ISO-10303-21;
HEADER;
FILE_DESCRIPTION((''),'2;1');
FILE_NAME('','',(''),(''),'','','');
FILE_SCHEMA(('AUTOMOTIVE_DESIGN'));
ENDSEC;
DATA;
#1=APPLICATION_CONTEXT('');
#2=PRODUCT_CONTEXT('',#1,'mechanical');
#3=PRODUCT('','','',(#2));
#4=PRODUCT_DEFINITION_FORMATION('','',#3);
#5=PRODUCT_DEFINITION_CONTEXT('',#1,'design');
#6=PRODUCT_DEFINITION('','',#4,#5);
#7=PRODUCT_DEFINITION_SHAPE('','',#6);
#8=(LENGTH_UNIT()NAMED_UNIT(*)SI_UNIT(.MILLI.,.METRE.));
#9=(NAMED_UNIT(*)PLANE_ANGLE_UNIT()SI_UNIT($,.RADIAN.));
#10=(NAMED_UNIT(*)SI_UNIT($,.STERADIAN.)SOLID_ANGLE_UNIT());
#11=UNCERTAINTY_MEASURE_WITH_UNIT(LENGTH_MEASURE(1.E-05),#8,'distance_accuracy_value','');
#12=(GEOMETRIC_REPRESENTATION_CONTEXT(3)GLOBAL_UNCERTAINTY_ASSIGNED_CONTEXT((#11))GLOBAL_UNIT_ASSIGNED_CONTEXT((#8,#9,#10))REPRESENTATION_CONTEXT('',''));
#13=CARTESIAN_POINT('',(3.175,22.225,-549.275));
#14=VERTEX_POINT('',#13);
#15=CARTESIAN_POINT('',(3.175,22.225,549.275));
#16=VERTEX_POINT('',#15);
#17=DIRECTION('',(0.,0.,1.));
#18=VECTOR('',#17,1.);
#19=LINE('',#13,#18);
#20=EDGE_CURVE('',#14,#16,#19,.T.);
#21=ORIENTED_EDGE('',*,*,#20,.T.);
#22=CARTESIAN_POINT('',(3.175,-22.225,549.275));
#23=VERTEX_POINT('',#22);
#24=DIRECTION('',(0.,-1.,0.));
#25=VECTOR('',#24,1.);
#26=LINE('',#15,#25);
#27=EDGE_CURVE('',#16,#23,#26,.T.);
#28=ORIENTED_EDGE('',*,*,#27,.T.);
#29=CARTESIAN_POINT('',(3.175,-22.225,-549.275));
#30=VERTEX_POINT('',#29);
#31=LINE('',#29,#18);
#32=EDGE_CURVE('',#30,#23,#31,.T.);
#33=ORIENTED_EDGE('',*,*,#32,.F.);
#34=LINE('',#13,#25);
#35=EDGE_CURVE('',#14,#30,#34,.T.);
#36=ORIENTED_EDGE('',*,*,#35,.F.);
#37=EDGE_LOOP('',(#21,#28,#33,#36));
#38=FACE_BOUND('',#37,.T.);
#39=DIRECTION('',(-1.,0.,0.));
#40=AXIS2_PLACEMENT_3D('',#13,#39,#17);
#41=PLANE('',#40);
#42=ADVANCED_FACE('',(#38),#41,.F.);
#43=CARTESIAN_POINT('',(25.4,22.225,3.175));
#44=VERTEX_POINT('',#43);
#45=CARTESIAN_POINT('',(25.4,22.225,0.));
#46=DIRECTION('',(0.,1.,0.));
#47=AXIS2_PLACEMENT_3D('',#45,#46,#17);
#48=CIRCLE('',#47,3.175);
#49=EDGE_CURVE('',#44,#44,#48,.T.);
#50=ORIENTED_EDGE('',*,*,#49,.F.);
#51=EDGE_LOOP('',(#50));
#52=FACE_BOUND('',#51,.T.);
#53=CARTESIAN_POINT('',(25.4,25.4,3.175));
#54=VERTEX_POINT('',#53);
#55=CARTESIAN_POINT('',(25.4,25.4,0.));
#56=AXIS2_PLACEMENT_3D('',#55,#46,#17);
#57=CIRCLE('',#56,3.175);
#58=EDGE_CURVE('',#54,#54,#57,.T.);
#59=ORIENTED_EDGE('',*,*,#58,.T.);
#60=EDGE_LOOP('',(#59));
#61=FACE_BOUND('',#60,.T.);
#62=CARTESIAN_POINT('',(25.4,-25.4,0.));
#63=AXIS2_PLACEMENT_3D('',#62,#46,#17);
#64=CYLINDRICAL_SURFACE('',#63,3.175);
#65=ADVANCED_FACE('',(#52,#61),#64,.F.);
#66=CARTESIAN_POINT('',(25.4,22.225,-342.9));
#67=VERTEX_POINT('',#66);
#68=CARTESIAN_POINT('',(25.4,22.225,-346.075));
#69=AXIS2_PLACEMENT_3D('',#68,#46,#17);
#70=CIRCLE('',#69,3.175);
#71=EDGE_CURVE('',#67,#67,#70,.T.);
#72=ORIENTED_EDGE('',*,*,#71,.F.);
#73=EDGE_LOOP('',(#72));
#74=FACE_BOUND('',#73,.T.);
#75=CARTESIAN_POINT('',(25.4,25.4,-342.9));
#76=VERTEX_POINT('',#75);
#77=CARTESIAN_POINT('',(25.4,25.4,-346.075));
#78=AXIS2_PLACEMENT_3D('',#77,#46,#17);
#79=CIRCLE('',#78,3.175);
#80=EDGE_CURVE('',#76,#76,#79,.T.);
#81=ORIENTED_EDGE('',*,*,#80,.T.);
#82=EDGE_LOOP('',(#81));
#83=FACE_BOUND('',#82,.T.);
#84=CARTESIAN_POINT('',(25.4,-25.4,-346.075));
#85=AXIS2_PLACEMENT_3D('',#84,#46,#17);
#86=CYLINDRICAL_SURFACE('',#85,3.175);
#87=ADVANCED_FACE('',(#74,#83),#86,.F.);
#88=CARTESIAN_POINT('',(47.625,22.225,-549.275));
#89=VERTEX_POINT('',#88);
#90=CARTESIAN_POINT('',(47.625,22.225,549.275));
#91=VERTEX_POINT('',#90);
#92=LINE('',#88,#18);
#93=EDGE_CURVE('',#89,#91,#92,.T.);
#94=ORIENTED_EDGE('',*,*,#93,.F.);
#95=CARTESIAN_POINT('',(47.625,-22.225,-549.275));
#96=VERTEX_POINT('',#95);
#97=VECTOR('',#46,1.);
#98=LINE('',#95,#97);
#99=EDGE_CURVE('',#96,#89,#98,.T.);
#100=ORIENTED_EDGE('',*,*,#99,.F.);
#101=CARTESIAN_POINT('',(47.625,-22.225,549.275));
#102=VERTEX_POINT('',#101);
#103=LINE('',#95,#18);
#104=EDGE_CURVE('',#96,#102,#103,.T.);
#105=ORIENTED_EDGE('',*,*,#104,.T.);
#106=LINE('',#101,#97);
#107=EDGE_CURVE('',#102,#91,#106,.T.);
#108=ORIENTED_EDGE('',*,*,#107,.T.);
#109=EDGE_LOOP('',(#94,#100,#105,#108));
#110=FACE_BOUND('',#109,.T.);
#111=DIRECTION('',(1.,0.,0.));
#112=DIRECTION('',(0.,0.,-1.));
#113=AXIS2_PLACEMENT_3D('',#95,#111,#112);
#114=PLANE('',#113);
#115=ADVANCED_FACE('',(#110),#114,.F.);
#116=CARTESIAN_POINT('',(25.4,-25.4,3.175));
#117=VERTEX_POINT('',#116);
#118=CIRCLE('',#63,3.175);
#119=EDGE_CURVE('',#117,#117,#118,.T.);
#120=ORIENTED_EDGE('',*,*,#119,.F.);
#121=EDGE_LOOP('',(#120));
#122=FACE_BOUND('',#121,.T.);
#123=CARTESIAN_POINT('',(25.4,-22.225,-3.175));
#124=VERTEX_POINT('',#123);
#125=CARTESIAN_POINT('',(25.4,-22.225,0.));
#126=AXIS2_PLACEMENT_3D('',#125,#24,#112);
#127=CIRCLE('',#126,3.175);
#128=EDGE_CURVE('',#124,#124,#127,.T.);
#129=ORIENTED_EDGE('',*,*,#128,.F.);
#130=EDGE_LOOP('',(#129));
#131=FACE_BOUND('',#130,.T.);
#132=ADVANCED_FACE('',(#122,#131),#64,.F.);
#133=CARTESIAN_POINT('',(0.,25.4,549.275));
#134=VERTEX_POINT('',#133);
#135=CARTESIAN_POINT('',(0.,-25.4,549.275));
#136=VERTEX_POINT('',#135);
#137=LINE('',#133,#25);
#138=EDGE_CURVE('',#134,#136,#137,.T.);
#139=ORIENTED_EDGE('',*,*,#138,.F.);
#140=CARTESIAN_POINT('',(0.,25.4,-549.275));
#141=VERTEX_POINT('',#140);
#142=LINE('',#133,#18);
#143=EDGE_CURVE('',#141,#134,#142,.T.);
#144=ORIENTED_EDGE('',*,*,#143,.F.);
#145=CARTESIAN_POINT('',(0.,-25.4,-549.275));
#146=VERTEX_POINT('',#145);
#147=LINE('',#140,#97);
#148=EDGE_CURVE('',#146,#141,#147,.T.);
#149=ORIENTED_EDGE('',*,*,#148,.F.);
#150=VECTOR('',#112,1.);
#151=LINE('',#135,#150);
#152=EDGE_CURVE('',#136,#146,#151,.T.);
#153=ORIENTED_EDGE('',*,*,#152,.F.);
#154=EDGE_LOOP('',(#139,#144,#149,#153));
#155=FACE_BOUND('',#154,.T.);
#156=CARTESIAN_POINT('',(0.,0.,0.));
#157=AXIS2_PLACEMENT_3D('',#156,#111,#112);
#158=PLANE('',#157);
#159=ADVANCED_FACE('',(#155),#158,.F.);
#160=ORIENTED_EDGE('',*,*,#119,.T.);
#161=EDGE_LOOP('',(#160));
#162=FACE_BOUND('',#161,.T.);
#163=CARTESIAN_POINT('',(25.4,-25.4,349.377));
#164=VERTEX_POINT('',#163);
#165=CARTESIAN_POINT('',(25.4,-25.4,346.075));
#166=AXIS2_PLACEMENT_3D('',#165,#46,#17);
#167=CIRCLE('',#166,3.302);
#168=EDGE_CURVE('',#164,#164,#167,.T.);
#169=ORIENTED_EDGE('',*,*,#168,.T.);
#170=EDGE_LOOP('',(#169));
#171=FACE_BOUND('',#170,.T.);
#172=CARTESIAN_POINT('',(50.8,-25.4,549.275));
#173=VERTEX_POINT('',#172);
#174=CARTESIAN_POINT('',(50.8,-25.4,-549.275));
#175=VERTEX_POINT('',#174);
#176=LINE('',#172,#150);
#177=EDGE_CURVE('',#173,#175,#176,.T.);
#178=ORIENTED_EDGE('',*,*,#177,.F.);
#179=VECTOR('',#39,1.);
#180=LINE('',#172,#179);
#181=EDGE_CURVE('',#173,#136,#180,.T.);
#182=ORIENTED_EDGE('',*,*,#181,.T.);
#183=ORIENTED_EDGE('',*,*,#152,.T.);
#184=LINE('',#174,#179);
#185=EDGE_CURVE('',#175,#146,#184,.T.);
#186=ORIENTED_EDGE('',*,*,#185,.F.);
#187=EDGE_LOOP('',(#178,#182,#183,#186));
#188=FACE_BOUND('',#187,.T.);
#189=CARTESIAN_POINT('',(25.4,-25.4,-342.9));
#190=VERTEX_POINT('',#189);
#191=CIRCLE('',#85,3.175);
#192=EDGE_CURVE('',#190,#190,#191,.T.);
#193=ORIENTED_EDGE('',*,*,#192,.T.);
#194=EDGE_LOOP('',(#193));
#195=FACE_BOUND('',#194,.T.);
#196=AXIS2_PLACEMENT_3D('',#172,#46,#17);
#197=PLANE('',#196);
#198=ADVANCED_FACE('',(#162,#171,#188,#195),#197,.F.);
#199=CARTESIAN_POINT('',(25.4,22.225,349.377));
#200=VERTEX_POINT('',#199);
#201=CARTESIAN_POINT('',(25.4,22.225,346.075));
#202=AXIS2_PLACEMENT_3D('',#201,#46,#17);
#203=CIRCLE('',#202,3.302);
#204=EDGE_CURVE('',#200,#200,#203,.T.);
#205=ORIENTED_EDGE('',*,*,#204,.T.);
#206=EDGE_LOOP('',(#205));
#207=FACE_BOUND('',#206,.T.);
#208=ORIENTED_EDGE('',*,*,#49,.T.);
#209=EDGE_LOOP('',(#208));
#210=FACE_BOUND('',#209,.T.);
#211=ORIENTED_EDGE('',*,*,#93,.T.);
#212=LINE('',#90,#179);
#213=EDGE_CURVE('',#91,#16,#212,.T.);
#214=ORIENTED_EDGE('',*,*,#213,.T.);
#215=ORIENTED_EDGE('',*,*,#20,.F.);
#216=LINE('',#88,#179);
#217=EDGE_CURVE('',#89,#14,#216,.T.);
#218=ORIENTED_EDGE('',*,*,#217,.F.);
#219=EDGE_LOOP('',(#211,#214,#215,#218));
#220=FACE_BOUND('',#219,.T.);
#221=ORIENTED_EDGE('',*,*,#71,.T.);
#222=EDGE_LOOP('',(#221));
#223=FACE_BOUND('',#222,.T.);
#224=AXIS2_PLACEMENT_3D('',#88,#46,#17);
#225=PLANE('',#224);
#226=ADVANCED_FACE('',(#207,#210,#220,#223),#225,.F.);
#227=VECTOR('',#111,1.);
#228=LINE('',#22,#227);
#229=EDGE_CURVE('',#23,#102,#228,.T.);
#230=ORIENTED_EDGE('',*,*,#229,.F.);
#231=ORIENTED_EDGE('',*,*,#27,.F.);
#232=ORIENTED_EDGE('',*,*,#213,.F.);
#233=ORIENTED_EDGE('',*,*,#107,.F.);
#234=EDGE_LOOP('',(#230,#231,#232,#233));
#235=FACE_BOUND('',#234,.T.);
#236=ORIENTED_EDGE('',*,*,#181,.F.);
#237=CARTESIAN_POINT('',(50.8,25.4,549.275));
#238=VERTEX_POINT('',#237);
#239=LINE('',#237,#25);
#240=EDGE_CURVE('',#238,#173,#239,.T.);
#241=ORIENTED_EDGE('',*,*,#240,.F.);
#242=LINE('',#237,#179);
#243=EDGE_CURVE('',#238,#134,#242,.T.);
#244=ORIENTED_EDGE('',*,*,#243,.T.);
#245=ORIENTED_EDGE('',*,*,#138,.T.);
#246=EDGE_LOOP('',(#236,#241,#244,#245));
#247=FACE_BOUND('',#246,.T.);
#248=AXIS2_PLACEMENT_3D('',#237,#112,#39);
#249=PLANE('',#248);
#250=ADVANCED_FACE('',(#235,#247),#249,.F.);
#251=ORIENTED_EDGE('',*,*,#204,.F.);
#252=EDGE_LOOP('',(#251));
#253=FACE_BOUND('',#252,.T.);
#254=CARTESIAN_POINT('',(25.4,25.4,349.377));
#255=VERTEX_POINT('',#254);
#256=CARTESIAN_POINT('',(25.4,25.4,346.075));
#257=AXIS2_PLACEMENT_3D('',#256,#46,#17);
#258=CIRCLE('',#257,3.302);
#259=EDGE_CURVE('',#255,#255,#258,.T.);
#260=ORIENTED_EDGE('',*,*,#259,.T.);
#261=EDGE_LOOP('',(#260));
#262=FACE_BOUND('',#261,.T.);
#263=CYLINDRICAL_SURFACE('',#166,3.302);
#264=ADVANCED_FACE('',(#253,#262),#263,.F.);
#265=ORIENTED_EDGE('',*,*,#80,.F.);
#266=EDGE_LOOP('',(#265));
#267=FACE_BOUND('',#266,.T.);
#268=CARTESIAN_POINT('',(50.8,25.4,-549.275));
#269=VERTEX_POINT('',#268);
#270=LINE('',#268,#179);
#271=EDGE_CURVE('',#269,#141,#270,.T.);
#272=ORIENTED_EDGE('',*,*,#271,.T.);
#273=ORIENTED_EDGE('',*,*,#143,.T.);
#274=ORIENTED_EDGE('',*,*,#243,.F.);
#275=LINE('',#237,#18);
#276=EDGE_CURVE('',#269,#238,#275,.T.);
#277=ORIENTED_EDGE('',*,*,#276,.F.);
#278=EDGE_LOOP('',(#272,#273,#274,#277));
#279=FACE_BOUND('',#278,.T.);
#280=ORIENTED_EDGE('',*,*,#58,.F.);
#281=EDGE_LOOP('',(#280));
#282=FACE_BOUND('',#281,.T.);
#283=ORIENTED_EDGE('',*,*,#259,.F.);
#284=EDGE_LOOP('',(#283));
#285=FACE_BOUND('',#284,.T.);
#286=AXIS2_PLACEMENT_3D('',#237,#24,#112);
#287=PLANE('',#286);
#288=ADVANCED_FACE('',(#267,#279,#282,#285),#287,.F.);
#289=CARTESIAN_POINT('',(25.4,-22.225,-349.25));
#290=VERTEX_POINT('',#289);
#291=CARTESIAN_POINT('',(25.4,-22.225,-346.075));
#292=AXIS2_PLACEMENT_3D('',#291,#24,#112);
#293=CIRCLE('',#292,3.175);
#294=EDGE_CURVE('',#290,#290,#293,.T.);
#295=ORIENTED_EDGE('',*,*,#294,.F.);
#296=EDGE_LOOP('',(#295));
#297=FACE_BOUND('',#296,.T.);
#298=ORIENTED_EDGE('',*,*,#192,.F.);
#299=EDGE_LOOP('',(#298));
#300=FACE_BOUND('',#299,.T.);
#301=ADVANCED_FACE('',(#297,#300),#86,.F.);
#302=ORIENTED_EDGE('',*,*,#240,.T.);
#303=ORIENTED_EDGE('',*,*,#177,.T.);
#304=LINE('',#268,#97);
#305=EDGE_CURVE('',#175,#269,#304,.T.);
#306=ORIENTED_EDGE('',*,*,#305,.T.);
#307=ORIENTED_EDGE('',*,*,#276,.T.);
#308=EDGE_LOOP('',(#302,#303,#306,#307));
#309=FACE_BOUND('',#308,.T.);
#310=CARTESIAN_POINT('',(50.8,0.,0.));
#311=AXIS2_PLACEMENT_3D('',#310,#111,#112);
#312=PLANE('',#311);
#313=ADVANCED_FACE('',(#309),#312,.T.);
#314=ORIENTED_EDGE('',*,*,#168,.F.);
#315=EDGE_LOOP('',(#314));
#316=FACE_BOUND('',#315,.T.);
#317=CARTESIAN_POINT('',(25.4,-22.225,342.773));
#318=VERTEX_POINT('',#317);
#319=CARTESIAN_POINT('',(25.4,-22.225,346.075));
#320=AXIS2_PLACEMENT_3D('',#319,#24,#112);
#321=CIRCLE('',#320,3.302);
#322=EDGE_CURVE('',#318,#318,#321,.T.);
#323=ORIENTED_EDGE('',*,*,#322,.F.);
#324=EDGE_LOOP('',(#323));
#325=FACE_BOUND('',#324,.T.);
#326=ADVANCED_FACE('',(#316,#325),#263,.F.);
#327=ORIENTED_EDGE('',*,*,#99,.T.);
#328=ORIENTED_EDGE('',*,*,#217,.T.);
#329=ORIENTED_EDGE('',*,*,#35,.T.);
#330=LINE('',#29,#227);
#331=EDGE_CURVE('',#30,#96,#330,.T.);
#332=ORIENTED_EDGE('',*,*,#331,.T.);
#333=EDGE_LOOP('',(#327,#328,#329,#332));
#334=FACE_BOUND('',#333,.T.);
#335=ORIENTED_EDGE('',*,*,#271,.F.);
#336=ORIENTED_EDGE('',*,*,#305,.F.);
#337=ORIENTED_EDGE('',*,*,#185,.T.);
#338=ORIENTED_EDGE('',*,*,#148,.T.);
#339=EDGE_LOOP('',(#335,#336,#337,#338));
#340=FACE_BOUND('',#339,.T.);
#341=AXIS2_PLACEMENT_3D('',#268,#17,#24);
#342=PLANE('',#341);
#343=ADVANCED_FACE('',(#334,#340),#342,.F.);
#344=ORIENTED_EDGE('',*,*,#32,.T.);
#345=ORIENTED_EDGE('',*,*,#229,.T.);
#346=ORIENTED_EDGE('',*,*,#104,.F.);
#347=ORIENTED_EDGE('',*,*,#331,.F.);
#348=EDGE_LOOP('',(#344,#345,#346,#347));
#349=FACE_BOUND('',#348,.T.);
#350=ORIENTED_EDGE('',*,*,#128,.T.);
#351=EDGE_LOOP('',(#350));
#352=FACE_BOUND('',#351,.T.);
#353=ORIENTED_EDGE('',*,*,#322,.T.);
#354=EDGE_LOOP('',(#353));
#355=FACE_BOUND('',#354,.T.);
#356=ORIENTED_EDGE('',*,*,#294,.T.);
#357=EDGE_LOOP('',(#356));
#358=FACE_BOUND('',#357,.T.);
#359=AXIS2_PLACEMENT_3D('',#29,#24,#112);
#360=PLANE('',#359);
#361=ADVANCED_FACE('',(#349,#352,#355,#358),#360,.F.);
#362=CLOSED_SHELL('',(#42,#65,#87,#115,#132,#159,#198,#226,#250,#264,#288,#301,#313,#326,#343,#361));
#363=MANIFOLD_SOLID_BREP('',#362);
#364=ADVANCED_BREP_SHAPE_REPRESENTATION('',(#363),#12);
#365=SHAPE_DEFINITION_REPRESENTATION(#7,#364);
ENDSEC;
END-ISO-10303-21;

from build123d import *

# Parameters (mm, degrees)
SKETCH1_W           = 1098.55
SKETCH1_H           = 50.8
BOSS_EXTRUDE1_DEPTH = 50.8
SKETCH2_W           = 44.45
SKETCH2_H           = 44.45
CUT_EXTRUDE1_DEPTH  = 1099.55
SKETCH5_R           = 3.302
SKETCH5_R_2         = 3.175
CUT_EXTRUDE2_DEPTH  = 50.8


with BuildPart() as part:
    # Sketch1 → Boss-Extrude1 (new body)
    with BuildSketch(Plane(origin=(0, 0, 0), x_dir=(0, 0, -1), z_dir=(1, 0, 0))):
        Rectangle(SKETCH1_W, SKETCH1_H)
    extrude(amount=BOSS_EXTRUDE1_DEPTH)

    # Sketch2 → Cut-Extrude1 (cut, through all)
    with BuildSketch(Plane.XY.offset(549.275)):
        with Locations((25.4, 0)):
            Rectangle(SKETCH2_W, SKETCH2_H)
    extrude(amount=-CUT_EXTRUDE1_DEPTH, mode=Mode.SUBTRACT)

    # Sketch5 → Cut-Extrude2 (cut)
    with BuildSketch(Plane(origin=(0, 25.4, 0), x_dir=(1, 0, 0), z_dir=(0, 1, 0))):
        with Locations((25.4, -346.075)):
            Circle(SKETCH5_R)
        with Locations((25.4, 0)):
            Circle(SKETCH5_R_2)
        with Locations((25.4, 346.075)):
            Circle(SKETCH5_R_2)
    extrude(amount=-CUT_EXTRUDE2_DEPTH, mode=Mode.SUBTRACT)


solid = part.part
